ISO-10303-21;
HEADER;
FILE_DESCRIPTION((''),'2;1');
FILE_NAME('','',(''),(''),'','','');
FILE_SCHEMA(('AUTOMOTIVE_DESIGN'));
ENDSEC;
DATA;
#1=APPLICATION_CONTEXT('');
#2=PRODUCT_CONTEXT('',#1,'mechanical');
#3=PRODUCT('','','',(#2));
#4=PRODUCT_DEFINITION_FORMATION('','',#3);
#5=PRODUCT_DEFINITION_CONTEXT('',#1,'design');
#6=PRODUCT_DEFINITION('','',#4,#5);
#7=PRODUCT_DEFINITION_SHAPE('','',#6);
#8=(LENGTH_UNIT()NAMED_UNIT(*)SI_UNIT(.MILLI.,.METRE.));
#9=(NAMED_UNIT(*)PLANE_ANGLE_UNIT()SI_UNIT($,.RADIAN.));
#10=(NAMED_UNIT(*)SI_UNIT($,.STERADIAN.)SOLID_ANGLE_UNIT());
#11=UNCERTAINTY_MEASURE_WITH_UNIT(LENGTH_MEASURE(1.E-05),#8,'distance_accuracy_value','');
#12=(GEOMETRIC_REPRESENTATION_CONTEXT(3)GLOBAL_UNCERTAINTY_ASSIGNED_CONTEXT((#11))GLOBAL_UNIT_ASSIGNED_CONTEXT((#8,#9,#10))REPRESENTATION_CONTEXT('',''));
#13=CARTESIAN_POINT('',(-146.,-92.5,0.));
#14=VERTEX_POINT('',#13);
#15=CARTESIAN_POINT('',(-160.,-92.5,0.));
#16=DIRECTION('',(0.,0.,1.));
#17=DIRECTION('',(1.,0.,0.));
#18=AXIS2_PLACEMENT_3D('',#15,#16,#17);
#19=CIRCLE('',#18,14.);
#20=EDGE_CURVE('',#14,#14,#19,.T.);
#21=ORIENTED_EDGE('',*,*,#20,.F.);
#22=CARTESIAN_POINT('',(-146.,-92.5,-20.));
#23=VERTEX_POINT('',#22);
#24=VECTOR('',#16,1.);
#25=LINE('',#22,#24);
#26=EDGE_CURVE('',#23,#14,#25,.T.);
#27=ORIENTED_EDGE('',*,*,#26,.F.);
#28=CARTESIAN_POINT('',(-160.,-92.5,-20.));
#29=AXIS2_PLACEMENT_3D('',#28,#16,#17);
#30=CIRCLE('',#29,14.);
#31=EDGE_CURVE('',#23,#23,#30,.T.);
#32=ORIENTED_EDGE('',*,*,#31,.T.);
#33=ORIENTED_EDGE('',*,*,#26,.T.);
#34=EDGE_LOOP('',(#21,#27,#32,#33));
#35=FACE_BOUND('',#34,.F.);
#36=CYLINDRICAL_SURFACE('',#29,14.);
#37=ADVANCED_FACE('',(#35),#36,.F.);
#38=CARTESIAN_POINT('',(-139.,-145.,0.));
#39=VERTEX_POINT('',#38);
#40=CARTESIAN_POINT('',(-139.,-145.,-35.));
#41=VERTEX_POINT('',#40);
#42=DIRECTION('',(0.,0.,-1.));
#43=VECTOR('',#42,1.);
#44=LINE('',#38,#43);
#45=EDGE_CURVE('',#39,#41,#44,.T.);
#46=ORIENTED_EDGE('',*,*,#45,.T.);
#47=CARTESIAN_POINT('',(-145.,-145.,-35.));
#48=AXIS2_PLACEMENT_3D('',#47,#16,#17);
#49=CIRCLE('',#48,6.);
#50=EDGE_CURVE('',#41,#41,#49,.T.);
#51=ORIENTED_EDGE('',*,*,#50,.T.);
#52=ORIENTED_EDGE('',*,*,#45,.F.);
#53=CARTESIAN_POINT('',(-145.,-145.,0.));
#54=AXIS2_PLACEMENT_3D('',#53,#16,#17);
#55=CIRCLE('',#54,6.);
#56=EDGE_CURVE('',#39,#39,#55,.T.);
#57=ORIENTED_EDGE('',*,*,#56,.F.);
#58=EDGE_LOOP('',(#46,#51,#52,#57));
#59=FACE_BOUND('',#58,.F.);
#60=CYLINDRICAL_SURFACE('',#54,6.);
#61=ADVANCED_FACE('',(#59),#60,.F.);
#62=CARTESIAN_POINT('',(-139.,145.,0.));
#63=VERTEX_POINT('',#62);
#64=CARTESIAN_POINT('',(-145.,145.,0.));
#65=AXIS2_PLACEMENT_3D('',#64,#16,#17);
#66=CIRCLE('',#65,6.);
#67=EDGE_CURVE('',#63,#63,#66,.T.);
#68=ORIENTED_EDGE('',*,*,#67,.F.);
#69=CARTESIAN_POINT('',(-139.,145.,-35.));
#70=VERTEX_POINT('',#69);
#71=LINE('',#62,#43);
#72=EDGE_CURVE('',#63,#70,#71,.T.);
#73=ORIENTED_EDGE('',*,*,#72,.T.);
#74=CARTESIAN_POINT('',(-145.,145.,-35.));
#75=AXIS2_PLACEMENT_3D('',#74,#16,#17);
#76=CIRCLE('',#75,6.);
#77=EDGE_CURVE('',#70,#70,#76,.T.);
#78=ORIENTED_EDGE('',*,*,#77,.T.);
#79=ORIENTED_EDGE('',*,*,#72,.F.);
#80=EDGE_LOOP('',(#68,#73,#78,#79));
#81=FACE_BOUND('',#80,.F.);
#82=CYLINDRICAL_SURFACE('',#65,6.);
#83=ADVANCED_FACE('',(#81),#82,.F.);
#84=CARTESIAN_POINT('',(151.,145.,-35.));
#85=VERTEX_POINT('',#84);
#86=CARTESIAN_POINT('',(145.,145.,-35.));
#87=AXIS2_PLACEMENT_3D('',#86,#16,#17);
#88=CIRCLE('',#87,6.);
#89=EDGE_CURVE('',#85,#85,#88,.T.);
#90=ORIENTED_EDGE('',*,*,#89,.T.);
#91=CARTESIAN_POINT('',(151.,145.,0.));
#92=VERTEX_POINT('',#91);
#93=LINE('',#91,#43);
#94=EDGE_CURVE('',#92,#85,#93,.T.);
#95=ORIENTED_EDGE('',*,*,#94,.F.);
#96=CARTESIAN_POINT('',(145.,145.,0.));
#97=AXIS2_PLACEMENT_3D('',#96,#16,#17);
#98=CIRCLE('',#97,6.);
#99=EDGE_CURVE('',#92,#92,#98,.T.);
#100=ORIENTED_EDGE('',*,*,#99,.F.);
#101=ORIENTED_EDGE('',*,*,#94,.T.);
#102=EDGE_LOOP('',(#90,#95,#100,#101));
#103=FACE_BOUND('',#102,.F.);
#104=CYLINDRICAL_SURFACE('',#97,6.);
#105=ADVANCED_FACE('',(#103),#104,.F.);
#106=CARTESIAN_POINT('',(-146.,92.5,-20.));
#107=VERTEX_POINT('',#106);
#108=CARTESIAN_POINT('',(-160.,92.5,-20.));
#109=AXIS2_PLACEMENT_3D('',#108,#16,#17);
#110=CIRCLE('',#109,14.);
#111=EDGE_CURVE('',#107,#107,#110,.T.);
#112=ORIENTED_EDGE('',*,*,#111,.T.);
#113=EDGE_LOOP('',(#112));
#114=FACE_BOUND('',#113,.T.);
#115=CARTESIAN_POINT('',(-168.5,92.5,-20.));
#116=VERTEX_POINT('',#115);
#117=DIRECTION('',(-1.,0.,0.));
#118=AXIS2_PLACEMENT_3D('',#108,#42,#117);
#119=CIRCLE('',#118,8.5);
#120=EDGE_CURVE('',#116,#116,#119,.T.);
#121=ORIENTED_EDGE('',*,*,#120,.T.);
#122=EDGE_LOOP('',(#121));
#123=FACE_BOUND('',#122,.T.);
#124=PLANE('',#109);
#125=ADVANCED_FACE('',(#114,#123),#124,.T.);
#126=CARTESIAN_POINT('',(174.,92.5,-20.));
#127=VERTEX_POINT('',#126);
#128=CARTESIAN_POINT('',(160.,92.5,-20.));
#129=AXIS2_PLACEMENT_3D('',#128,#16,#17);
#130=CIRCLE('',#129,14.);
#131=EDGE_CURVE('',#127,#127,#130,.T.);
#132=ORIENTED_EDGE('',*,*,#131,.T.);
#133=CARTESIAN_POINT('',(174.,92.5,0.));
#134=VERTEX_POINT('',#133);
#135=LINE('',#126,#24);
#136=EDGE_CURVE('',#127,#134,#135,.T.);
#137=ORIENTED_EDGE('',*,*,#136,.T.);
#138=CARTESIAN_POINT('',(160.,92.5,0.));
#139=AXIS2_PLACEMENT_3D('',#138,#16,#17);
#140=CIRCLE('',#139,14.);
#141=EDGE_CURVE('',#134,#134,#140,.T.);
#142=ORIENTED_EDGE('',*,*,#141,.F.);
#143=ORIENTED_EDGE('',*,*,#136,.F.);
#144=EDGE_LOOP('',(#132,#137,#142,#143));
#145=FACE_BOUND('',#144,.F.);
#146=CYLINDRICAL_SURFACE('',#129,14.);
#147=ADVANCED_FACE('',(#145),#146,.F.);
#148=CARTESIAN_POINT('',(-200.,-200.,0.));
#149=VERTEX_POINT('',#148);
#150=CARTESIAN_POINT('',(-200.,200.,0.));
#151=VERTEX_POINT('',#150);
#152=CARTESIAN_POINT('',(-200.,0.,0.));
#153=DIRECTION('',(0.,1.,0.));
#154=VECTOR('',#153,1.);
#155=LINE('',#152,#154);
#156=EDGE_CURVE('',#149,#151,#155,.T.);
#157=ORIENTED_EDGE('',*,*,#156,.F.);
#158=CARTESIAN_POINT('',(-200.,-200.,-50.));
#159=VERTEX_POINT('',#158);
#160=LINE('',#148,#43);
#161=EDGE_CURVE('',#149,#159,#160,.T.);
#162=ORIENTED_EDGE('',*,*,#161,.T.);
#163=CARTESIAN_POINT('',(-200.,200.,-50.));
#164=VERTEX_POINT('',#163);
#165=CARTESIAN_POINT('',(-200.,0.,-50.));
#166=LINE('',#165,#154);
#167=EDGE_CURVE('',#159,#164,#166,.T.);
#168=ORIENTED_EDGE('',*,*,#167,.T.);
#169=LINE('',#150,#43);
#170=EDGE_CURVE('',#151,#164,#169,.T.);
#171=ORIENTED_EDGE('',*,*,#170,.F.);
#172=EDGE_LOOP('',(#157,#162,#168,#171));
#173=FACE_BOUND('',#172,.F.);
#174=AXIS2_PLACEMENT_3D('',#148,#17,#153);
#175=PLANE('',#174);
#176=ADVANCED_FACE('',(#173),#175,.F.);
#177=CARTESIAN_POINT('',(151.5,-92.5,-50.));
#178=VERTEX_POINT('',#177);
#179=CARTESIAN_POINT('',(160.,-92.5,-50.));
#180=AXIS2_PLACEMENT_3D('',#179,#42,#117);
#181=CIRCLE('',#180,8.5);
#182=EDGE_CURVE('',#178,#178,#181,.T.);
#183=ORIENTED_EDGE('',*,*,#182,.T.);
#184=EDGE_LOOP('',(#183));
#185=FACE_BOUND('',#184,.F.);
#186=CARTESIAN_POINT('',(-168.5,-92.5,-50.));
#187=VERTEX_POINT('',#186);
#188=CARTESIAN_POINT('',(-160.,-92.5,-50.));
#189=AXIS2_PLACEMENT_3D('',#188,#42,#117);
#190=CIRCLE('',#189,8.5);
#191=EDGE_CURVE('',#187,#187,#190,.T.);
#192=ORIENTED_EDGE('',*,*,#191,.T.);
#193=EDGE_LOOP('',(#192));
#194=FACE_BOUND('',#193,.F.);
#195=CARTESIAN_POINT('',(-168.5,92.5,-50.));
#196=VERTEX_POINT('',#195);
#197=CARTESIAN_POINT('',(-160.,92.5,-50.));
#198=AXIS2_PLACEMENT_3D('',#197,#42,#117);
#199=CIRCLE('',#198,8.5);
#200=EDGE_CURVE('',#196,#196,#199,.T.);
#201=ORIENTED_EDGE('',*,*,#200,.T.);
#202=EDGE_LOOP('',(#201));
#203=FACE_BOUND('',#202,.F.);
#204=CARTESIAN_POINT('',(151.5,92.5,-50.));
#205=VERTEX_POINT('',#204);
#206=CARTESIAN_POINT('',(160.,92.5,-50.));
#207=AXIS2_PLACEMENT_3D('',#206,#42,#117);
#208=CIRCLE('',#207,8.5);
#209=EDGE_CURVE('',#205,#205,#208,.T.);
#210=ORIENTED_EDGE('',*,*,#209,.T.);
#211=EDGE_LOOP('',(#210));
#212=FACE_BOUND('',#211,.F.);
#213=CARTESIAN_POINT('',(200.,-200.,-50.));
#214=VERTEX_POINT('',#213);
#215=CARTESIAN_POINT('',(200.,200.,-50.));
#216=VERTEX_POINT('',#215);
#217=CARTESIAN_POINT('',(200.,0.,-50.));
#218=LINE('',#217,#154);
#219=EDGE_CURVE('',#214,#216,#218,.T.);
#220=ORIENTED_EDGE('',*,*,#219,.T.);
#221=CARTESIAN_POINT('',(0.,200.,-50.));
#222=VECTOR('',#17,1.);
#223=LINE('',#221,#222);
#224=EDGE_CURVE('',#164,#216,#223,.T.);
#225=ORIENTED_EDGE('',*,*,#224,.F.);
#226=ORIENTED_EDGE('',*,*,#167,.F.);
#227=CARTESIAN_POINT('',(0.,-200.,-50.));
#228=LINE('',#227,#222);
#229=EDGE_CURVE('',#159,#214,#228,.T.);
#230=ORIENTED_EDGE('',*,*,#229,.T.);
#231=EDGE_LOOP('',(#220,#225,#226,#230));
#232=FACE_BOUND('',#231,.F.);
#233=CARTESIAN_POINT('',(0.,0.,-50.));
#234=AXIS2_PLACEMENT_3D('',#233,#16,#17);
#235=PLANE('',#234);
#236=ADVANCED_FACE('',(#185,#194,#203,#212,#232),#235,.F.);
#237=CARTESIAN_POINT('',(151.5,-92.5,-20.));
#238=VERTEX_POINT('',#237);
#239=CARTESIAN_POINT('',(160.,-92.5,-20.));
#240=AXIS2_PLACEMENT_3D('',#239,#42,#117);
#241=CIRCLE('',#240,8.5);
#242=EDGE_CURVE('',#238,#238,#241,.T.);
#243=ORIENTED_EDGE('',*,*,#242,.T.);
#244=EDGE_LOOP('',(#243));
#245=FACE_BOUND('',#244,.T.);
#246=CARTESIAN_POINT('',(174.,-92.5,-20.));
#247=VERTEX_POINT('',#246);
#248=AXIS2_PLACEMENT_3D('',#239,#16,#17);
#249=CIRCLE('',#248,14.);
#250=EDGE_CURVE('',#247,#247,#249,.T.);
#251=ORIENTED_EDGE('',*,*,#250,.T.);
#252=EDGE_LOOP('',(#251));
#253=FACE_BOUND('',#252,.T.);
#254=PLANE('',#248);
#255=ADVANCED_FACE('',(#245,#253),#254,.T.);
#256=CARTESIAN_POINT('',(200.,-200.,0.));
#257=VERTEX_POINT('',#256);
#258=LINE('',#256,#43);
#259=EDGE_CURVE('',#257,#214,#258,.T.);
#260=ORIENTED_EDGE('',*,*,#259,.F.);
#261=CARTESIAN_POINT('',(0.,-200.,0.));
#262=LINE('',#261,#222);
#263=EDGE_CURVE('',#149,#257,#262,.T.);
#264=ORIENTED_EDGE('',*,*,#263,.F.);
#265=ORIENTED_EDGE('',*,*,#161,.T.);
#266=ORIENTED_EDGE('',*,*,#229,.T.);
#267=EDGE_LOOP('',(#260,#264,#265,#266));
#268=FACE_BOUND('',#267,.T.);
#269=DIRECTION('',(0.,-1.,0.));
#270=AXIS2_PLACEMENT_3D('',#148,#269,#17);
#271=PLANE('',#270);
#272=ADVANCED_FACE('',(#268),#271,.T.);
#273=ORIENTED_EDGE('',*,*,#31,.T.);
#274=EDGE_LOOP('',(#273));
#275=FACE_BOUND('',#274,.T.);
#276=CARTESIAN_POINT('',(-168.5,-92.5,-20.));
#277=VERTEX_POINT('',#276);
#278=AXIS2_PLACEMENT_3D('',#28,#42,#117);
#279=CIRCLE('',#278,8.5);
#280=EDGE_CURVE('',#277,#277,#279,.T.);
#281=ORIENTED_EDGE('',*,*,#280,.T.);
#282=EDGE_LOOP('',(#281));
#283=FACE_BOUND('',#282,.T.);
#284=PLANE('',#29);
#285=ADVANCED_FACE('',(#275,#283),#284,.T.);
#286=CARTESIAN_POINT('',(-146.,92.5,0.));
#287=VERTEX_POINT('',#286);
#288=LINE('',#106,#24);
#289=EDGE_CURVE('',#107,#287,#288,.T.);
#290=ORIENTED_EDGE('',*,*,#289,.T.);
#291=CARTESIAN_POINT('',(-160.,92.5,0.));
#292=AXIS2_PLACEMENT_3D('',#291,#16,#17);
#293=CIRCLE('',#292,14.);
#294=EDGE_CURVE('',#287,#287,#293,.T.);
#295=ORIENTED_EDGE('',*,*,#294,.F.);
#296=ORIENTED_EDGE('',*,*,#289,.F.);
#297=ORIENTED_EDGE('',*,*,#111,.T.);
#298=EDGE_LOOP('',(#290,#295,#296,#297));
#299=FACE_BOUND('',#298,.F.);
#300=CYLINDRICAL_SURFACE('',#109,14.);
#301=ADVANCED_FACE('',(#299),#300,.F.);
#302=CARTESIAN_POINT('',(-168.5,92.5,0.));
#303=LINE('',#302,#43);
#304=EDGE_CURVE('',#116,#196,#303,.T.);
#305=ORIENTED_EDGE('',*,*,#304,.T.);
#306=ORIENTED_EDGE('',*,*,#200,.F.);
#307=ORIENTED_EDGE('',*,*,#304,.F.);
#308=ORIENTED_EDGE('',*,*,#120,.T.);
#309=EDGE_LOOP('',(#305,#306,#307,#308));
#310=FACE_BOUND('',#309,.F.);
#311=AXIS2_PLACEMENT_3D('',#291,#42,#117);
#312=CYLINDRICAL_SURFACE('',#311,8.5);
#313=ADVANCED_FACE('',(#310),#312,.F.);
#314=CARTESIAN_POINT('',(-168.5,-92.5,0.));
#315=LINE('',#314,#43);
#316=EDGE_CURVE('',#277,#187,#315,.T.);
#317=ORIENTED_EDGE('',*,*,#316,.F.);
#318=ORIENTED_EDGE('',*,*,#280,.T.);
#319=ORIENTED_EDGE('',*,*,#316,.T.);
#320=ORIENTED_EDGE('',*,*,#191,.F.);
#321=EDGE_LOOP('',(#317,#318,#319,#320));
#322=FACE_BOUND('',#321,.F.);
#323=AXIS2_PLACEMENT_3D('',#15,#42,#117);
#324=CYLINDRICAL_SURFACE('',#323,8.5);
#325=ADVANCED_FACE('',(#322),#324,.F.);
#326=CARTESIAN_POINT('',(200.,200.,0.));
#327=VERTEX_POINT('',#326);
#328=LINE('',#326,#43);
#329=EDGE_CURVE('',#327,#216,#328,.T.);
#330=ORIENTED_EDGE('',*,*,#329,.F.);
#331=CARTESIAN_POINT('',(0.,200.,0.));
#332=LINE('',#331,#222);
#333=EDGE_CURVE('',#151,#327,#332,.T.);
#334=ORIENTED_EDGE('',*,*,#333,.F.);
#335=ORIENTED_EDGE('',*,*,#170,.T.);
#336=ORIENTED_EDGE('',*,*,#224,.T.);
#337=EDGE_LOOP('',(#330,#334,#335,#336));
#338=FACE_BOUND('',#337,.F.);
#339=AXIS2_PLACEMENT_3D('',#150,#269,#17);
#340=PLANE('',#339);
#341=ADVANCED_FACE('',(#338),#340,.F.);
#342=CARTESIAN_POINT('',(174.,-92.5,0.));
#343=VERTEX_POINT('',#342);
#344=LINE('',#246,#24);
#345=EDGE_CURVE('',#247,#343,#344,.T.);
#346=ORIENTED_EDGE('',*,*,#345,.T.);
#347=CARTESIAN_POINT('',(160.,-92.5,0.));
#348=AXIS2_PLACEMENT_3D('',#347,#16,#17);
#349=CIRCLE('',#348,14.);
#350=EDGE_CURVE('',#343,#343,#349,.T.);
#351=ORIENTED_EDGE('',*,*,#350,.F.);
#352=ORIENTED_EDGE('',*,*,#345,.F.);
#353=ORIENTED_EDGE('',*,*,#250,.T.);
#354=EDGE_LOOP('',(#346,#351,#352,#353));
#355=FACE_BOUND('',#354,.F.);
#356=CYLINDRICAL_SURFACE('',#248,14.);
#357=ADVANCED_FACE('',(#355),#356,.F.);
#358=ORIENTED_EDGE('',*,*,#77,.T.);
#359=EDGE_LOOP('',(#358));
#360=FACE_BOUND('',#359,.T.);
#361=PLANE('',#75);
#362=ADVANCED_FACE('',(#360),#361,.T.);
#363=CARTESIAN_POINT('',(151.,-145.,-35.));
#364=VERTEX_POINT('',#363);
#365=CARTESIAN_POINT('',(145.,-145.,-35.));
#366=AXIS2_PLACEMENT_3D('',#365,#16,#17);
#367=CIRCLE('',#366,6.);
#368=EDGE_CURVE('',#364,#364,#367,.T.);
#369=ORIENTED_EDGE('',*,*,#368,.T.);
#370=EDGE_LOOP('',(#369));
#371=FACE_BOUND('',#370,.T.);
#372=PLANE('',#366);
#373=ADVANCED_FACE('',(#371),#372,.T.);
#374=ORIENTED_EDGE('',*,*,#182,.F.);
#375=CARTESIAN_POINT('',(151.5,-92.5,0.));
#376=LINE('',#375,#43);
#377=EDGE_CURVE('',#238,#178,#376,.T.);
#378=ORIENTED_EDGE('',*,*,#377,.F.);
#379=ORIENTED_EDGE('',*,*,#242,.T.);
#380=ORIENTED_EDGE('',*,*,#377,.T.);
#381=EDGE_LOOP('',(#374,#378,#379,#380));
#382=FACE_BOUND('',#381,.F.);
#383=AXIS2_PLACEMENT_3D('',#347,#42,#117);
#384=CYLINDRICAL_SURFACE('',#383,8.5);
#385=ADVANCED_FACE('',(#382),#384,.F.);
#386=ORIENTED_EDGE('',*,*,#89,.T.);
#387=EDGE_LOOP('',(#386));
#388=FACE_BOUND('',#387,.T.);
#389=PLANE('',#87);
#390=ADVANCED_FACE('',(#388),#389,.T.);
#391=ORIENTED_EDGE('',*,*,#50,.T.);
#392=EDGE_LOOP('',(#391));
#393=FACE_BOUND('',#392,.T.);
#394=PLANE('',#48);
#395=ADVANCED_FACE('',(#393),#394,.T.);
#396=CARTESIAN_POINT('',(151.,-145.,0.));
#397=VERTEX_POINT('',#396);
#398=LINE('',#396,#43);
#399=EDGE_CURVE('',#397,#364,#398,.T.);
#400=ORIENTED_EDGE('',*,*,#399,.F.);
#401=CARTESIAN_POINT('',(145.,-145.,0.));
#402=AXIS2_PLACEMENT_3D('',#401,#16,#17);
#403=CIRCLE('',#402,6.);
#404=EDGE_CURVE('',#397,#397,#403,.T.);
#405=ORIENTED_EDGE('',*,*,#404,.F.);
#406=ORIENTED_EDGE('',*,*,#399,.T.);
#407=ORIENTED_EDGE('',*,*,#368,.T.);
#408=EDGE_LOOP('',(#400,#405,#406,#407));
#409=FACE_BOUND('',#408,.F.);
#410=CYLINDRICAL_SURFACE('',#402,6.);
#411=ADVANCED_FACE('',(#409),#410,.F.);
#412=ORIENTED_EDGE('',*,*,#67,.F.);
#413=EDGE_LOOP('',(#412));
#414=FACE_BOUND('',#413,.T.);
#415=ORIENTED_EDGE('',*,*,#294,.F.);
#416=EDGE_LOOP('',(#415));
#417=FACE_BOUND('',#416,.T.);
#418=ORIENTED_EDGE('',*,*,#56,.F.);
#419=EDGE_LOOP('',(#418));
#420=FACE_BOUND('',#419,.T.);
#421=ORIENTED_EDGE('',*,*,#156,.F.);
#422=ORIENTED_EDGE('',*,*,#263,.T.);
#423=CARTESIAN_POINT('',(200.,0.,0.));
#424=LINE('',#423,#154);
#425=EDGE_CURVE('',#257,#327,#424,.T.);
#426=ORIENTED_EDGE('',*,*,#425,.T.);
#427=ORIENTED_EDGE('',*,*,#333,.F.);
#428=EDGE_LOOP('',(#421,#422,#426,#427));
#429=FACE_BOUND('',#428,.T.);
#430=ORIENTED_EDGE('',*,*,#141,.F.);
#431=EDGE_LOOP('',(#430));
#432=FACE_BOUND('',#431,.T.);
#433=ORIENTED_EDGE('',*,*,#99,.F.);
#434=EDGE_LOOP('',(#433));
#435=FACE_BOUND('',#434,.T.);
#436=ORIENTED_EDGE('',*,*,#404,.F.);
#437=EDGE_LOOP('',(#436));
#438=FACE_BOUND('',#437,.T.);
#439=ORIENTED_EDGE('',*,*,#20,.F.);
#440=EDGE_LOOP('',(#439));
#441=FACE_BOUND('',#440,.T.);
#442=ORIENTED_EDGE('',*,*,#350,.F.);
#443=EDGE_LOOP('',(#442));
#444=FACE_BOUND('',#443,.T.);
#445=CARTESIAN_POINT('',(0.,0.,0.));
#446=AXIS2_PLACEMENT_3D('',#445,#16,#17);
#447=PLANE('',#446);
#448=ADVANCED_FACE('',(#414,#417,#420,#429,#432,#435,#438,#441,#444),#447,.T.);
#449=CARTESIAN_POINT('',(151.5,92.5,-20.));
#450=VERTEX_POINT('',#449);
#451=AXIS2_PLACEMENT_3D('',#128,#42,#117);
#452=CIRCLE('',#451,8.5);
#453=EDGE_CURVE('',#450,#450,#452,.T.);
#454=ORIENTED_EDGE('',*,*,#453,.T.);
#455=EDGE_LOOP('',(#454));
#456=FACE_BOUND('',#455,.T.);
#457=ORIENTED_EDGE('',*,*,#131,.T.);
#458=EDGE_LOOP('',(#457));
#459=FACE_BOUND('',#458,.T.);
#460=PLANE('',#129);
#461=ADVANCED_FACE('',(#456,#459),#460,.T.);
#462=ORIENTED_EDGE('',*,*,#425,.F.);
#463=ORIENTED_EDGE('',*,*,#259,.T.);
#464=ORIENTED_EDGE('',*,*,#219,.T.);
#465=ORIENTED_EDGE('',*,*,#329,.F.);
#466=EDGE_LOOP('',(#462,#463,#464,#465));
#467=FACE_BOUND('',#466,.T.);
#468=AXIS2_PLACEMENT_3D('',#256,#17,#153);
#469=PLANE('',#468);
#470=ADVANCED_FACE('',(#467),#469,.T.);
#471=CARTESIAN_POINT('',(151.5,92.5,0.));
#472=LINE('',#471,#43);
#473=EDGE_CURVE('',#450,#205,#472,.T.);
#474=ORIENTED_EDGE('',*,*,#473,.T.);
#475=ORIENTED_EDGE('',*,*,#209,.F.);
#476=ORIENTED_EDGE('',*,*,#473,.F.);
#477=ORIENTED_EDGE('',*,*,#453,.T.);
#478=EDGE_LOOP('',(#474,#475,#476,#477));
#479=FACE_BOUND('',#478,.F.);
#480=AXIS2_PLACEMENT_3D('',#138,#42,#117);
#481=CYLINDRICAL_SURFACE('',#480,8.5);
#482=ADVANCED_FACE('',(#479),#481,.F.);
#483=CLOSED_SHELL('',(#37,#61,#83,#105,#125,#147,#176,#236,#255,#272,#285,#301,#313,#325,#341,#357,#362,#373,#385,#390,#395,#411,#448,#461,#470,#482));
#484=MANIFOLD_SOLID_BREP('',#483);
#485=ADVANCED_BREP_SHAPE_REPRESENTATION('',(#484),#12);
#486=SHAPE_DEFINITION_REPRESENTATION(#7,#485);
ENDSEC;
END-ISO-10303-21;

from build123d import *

# Parameters (mm, degrees)
F0_W           = 400
F0_H           = 400
F1_DEPTH       = 50
F2_R           = 6
F3_DEPTH       = 35
F5_D           = 17
F5_DEPTH       = 53
F5_CBORE_D     = 28
F5_CBORE_DEPTH = 20


with BuildPart() as f1:
    # F0 (on Top) → F1 (new body)
    with BuildSketch(Plane.XY):
        Rectangle(F0_W, F0_H)
    extrude(amount=-F1_DEPTH)

    # F2 (on face) → F3 (cut)
    with BuildSketch(Plane.XY):
        with Locations((145, 145)):
            Circle(F2_R)
        with Locations((145, -145)):
            Circle(F2_R)
        with Locations((-145, 145)):
            Circle(F2_R)
        with Locations((-145, -145)):
            Circle(F2_R)
    extrude(amount=-F3_DEPTH, mode=Mode.SUBTRACT)

    # F5
    with Locations(Plane.XY):
        with Locations((160, 92.5), (160, -92.5), (-160, -92.5), (-160, 92.5)):
            CounterBoreHole(F5_D / 2, F5_CBORE_D / 2, F5_CBORE_DEPTH, depth=F5_DEPTH)


solid = f1.part
